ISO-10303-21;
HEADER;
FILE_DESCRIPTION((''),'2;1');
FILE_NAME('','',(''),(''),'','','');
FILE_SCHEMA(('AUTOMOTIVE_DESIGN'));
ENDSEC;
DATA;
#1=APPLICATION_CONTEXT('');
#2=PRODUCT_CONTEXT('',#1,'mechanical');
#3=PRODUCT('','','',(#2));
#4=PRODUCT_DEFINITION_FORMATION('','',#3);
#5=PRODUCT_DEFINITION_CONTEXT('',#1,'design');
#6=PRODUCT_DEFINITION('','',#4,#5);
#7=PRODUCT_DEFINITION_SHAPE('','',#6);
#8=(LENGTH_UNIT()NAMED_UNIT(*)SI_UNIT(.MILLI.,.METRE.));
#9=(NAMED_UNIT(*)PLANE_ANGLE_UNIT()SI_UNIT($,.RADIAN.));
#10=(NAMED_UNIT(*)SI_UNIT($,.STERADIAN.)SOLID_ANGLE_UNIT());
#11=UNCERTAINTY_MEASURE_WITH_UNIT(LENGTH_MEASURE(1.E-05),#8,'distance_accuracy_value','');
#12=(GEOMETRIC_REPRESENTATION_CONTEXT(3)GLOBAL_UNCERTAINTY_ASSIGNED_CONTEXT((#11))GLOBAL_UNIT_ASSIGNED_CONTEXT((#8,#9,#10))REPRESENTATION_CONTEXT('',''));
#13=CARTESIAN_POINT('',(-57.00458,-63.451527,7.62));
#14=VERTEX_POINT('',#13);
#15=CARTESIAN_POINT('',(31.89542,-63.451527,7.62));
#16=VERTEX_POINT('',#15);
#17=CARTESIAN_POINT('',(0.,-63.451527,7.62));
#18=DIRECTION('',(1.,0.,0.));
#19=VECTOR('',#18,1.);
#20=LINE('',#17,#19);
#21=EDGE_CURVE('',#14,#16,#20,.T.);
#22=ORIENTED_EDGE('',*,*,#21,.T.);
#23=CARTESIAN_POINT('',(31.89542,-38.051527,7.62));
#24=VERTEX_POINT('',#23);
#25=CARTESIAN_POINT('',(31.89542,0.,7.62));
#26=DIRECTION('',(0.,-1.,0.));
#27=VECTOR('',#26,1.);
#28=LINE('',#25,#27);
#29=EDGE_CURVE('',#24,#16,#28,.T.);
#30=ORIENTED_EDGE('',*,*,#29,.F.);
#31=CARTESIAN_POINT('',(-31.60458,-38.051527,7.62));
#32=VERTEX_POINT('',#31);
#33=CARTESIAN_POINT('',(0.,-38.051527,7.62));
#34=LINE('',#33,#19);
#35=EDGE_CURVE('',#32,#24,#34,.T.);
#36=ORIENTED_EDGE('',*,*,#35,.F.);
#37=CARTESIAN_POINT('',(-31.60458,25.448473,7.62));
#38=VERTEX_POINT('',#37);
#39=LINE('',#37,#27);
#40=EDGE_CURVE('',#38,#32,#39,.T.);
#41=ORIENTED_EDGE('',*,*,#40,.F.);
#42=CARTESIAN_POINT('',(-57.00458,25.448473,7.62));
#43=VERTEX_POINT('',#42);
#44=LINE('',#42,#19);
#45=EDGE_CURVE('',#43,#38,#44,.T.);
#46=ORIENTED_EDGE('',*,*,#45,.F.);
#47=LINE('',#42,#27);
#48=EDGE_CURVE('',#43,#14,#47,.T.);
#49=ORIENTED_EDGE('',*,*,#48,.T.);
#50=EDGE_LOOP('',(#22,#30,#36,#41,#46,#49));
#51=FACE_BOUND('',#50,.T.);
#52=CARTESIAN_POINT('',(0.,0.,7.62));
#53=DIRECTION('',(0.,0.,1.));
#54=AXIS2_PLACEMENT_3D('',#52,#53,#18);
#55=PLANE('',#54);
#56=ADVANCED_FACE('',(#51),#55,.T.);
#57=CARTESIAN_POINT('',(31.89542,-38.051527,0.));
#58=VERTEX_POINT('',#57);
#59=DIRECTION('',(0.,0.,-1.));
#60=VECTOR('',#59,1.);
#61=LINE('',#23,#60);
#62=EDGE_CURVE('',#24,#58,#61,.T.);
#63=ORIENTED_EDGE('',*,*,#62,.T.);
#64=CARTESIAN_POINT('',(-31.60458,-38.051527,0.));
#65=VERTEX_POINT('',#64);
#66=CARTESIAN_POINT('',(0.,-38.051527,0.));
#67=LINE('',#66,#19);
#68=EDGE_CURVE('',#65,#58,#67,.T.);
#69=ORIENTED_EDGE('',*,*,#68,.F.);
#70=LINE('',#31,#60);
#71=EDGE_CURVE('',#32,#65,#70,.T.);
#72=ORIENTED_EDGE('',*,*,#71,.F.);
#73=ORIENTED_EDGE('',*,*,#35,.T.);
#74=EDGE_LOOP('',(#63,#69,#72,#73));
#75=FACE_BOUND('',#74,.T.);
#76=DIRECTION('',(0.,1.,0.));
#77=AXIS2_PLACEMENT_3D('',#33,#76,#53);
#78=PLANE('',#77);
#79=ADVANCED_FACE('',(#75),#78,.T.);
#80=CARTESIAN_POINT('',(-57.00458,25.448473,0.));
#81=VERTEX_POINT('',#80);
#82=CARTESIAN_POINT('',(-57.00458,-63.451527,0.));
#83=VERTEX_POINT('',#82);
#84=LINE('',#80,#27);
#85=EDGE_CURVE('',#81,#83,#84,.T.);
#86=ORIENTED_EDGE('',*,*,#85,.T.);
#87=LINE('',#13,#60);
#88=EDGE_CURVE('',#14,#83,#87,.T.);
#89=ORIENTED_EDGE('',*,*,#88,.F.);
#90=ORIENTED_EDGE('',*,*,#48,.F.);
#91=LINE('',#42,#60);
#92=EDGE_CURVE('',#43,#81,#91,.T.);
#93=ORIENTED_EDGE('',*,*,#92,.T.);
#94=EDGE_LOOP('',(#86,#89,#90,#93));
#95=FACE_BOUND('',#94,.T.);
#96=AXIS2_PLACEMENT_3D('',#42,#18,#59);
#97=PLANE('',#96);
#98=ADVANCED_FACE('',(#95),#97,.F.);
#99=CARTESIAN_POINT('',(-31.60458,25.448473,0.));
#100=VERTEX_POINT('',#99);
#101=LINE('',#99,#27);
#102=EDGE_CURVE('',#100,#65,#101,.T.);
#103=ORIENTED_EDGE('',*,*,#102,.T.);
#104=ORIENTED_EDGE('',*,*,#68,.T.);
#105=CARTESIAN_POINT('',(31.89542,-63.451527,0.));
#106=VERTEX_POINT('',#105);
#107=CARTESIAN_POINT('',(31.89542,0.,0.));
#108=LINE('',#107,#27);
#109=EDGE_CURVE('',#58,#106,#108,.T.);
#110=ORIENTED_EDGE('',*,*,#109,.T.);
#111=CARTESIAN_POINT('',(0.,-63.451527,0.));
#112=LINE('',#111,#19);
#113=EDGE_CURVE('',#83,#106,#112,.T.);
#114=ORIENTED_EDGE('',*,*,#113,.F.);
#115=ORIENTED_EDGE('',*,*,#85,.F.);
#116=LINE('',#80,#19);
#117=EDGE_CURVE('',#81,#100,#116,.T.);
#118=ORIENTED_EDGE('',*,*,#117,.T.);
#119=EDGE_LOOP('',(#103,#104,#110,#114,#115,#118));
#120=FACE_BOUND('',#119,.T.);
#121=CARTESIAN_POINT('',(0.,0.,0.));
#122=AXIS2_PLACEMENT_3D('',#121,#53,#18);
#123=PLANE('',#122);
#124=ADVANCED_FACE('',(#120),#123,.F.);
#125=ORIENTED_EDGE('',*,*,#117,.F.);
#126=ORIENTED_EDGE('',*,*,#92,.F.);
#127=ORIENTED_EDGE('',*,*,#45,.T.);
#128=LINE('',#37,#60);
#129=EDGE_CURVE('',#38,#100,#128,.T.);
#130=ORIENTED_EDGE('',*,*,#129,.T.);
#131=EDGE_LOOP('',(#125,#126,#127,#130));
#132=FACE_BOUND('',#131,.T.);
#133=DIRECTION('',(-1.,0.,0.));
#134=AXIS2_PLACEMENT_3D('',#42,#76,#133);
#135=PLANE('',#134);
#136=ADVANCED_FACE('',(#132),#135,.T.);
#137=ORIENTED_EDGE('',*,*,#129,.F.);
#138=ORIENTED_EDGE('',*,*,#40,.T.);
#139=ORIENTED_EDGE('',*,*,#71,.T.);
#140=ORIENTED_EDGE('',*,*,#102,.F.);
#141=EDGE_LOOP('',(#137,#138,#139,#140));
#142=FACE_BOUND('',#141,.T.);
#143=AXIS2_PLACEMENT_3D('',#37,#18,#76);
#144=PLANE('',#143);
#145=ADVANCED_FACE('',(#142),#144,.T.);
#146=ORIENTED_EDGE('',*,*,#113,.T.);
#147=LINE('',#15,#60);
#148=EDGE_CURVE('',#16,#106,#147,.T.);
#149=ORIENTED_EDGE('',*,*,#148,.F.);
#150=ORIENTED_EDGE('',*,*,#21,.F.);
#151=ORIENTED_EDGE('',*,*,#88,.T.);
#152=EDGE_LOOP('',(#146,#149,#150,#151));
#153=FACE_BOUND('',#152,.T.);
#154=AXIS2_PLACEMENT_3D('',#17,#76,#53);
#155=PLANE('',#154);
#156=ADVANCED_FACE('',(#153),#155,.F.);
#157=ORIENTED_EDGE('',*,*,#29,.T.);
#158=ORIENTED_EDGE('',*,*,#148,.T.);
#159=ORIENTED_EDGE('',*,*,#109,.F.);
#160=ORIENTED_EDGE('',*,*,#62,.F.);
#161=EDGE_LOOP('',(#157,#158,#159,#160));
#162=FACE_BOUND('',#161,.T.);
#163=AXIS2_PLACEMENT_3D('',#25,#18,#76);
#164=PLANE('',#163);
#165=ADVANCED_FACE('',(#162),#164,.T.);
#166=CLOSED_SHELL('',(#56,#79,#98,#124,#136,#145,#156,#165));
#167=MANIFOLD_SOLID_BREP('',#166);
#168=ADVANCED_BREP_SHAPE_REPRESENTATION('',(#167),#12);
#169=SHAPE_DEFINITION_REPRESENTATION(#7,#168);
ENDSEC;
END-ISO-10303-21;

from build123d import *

# Parameters (mm, degrees)
BOSS_EXTRUDE1_DEPTH = 7.62


with BuildPart() as part:
    # Sketch1 → Boss-Extrude1 (new body)
    with BuildSketch(Plane.XY):
        Polygon((-31.604580153, 25.448473282), (-57.004580153, 25.448473282), (-57.004580153, -63.451526718), (31.895419847, -63.451526718), (31.895419847, -38.051526718), (-31.604580153, -38.051526718), align=None)
    extrude(amount=BOSS_EXTRUDE1_DEPTH)


solid = part.part
